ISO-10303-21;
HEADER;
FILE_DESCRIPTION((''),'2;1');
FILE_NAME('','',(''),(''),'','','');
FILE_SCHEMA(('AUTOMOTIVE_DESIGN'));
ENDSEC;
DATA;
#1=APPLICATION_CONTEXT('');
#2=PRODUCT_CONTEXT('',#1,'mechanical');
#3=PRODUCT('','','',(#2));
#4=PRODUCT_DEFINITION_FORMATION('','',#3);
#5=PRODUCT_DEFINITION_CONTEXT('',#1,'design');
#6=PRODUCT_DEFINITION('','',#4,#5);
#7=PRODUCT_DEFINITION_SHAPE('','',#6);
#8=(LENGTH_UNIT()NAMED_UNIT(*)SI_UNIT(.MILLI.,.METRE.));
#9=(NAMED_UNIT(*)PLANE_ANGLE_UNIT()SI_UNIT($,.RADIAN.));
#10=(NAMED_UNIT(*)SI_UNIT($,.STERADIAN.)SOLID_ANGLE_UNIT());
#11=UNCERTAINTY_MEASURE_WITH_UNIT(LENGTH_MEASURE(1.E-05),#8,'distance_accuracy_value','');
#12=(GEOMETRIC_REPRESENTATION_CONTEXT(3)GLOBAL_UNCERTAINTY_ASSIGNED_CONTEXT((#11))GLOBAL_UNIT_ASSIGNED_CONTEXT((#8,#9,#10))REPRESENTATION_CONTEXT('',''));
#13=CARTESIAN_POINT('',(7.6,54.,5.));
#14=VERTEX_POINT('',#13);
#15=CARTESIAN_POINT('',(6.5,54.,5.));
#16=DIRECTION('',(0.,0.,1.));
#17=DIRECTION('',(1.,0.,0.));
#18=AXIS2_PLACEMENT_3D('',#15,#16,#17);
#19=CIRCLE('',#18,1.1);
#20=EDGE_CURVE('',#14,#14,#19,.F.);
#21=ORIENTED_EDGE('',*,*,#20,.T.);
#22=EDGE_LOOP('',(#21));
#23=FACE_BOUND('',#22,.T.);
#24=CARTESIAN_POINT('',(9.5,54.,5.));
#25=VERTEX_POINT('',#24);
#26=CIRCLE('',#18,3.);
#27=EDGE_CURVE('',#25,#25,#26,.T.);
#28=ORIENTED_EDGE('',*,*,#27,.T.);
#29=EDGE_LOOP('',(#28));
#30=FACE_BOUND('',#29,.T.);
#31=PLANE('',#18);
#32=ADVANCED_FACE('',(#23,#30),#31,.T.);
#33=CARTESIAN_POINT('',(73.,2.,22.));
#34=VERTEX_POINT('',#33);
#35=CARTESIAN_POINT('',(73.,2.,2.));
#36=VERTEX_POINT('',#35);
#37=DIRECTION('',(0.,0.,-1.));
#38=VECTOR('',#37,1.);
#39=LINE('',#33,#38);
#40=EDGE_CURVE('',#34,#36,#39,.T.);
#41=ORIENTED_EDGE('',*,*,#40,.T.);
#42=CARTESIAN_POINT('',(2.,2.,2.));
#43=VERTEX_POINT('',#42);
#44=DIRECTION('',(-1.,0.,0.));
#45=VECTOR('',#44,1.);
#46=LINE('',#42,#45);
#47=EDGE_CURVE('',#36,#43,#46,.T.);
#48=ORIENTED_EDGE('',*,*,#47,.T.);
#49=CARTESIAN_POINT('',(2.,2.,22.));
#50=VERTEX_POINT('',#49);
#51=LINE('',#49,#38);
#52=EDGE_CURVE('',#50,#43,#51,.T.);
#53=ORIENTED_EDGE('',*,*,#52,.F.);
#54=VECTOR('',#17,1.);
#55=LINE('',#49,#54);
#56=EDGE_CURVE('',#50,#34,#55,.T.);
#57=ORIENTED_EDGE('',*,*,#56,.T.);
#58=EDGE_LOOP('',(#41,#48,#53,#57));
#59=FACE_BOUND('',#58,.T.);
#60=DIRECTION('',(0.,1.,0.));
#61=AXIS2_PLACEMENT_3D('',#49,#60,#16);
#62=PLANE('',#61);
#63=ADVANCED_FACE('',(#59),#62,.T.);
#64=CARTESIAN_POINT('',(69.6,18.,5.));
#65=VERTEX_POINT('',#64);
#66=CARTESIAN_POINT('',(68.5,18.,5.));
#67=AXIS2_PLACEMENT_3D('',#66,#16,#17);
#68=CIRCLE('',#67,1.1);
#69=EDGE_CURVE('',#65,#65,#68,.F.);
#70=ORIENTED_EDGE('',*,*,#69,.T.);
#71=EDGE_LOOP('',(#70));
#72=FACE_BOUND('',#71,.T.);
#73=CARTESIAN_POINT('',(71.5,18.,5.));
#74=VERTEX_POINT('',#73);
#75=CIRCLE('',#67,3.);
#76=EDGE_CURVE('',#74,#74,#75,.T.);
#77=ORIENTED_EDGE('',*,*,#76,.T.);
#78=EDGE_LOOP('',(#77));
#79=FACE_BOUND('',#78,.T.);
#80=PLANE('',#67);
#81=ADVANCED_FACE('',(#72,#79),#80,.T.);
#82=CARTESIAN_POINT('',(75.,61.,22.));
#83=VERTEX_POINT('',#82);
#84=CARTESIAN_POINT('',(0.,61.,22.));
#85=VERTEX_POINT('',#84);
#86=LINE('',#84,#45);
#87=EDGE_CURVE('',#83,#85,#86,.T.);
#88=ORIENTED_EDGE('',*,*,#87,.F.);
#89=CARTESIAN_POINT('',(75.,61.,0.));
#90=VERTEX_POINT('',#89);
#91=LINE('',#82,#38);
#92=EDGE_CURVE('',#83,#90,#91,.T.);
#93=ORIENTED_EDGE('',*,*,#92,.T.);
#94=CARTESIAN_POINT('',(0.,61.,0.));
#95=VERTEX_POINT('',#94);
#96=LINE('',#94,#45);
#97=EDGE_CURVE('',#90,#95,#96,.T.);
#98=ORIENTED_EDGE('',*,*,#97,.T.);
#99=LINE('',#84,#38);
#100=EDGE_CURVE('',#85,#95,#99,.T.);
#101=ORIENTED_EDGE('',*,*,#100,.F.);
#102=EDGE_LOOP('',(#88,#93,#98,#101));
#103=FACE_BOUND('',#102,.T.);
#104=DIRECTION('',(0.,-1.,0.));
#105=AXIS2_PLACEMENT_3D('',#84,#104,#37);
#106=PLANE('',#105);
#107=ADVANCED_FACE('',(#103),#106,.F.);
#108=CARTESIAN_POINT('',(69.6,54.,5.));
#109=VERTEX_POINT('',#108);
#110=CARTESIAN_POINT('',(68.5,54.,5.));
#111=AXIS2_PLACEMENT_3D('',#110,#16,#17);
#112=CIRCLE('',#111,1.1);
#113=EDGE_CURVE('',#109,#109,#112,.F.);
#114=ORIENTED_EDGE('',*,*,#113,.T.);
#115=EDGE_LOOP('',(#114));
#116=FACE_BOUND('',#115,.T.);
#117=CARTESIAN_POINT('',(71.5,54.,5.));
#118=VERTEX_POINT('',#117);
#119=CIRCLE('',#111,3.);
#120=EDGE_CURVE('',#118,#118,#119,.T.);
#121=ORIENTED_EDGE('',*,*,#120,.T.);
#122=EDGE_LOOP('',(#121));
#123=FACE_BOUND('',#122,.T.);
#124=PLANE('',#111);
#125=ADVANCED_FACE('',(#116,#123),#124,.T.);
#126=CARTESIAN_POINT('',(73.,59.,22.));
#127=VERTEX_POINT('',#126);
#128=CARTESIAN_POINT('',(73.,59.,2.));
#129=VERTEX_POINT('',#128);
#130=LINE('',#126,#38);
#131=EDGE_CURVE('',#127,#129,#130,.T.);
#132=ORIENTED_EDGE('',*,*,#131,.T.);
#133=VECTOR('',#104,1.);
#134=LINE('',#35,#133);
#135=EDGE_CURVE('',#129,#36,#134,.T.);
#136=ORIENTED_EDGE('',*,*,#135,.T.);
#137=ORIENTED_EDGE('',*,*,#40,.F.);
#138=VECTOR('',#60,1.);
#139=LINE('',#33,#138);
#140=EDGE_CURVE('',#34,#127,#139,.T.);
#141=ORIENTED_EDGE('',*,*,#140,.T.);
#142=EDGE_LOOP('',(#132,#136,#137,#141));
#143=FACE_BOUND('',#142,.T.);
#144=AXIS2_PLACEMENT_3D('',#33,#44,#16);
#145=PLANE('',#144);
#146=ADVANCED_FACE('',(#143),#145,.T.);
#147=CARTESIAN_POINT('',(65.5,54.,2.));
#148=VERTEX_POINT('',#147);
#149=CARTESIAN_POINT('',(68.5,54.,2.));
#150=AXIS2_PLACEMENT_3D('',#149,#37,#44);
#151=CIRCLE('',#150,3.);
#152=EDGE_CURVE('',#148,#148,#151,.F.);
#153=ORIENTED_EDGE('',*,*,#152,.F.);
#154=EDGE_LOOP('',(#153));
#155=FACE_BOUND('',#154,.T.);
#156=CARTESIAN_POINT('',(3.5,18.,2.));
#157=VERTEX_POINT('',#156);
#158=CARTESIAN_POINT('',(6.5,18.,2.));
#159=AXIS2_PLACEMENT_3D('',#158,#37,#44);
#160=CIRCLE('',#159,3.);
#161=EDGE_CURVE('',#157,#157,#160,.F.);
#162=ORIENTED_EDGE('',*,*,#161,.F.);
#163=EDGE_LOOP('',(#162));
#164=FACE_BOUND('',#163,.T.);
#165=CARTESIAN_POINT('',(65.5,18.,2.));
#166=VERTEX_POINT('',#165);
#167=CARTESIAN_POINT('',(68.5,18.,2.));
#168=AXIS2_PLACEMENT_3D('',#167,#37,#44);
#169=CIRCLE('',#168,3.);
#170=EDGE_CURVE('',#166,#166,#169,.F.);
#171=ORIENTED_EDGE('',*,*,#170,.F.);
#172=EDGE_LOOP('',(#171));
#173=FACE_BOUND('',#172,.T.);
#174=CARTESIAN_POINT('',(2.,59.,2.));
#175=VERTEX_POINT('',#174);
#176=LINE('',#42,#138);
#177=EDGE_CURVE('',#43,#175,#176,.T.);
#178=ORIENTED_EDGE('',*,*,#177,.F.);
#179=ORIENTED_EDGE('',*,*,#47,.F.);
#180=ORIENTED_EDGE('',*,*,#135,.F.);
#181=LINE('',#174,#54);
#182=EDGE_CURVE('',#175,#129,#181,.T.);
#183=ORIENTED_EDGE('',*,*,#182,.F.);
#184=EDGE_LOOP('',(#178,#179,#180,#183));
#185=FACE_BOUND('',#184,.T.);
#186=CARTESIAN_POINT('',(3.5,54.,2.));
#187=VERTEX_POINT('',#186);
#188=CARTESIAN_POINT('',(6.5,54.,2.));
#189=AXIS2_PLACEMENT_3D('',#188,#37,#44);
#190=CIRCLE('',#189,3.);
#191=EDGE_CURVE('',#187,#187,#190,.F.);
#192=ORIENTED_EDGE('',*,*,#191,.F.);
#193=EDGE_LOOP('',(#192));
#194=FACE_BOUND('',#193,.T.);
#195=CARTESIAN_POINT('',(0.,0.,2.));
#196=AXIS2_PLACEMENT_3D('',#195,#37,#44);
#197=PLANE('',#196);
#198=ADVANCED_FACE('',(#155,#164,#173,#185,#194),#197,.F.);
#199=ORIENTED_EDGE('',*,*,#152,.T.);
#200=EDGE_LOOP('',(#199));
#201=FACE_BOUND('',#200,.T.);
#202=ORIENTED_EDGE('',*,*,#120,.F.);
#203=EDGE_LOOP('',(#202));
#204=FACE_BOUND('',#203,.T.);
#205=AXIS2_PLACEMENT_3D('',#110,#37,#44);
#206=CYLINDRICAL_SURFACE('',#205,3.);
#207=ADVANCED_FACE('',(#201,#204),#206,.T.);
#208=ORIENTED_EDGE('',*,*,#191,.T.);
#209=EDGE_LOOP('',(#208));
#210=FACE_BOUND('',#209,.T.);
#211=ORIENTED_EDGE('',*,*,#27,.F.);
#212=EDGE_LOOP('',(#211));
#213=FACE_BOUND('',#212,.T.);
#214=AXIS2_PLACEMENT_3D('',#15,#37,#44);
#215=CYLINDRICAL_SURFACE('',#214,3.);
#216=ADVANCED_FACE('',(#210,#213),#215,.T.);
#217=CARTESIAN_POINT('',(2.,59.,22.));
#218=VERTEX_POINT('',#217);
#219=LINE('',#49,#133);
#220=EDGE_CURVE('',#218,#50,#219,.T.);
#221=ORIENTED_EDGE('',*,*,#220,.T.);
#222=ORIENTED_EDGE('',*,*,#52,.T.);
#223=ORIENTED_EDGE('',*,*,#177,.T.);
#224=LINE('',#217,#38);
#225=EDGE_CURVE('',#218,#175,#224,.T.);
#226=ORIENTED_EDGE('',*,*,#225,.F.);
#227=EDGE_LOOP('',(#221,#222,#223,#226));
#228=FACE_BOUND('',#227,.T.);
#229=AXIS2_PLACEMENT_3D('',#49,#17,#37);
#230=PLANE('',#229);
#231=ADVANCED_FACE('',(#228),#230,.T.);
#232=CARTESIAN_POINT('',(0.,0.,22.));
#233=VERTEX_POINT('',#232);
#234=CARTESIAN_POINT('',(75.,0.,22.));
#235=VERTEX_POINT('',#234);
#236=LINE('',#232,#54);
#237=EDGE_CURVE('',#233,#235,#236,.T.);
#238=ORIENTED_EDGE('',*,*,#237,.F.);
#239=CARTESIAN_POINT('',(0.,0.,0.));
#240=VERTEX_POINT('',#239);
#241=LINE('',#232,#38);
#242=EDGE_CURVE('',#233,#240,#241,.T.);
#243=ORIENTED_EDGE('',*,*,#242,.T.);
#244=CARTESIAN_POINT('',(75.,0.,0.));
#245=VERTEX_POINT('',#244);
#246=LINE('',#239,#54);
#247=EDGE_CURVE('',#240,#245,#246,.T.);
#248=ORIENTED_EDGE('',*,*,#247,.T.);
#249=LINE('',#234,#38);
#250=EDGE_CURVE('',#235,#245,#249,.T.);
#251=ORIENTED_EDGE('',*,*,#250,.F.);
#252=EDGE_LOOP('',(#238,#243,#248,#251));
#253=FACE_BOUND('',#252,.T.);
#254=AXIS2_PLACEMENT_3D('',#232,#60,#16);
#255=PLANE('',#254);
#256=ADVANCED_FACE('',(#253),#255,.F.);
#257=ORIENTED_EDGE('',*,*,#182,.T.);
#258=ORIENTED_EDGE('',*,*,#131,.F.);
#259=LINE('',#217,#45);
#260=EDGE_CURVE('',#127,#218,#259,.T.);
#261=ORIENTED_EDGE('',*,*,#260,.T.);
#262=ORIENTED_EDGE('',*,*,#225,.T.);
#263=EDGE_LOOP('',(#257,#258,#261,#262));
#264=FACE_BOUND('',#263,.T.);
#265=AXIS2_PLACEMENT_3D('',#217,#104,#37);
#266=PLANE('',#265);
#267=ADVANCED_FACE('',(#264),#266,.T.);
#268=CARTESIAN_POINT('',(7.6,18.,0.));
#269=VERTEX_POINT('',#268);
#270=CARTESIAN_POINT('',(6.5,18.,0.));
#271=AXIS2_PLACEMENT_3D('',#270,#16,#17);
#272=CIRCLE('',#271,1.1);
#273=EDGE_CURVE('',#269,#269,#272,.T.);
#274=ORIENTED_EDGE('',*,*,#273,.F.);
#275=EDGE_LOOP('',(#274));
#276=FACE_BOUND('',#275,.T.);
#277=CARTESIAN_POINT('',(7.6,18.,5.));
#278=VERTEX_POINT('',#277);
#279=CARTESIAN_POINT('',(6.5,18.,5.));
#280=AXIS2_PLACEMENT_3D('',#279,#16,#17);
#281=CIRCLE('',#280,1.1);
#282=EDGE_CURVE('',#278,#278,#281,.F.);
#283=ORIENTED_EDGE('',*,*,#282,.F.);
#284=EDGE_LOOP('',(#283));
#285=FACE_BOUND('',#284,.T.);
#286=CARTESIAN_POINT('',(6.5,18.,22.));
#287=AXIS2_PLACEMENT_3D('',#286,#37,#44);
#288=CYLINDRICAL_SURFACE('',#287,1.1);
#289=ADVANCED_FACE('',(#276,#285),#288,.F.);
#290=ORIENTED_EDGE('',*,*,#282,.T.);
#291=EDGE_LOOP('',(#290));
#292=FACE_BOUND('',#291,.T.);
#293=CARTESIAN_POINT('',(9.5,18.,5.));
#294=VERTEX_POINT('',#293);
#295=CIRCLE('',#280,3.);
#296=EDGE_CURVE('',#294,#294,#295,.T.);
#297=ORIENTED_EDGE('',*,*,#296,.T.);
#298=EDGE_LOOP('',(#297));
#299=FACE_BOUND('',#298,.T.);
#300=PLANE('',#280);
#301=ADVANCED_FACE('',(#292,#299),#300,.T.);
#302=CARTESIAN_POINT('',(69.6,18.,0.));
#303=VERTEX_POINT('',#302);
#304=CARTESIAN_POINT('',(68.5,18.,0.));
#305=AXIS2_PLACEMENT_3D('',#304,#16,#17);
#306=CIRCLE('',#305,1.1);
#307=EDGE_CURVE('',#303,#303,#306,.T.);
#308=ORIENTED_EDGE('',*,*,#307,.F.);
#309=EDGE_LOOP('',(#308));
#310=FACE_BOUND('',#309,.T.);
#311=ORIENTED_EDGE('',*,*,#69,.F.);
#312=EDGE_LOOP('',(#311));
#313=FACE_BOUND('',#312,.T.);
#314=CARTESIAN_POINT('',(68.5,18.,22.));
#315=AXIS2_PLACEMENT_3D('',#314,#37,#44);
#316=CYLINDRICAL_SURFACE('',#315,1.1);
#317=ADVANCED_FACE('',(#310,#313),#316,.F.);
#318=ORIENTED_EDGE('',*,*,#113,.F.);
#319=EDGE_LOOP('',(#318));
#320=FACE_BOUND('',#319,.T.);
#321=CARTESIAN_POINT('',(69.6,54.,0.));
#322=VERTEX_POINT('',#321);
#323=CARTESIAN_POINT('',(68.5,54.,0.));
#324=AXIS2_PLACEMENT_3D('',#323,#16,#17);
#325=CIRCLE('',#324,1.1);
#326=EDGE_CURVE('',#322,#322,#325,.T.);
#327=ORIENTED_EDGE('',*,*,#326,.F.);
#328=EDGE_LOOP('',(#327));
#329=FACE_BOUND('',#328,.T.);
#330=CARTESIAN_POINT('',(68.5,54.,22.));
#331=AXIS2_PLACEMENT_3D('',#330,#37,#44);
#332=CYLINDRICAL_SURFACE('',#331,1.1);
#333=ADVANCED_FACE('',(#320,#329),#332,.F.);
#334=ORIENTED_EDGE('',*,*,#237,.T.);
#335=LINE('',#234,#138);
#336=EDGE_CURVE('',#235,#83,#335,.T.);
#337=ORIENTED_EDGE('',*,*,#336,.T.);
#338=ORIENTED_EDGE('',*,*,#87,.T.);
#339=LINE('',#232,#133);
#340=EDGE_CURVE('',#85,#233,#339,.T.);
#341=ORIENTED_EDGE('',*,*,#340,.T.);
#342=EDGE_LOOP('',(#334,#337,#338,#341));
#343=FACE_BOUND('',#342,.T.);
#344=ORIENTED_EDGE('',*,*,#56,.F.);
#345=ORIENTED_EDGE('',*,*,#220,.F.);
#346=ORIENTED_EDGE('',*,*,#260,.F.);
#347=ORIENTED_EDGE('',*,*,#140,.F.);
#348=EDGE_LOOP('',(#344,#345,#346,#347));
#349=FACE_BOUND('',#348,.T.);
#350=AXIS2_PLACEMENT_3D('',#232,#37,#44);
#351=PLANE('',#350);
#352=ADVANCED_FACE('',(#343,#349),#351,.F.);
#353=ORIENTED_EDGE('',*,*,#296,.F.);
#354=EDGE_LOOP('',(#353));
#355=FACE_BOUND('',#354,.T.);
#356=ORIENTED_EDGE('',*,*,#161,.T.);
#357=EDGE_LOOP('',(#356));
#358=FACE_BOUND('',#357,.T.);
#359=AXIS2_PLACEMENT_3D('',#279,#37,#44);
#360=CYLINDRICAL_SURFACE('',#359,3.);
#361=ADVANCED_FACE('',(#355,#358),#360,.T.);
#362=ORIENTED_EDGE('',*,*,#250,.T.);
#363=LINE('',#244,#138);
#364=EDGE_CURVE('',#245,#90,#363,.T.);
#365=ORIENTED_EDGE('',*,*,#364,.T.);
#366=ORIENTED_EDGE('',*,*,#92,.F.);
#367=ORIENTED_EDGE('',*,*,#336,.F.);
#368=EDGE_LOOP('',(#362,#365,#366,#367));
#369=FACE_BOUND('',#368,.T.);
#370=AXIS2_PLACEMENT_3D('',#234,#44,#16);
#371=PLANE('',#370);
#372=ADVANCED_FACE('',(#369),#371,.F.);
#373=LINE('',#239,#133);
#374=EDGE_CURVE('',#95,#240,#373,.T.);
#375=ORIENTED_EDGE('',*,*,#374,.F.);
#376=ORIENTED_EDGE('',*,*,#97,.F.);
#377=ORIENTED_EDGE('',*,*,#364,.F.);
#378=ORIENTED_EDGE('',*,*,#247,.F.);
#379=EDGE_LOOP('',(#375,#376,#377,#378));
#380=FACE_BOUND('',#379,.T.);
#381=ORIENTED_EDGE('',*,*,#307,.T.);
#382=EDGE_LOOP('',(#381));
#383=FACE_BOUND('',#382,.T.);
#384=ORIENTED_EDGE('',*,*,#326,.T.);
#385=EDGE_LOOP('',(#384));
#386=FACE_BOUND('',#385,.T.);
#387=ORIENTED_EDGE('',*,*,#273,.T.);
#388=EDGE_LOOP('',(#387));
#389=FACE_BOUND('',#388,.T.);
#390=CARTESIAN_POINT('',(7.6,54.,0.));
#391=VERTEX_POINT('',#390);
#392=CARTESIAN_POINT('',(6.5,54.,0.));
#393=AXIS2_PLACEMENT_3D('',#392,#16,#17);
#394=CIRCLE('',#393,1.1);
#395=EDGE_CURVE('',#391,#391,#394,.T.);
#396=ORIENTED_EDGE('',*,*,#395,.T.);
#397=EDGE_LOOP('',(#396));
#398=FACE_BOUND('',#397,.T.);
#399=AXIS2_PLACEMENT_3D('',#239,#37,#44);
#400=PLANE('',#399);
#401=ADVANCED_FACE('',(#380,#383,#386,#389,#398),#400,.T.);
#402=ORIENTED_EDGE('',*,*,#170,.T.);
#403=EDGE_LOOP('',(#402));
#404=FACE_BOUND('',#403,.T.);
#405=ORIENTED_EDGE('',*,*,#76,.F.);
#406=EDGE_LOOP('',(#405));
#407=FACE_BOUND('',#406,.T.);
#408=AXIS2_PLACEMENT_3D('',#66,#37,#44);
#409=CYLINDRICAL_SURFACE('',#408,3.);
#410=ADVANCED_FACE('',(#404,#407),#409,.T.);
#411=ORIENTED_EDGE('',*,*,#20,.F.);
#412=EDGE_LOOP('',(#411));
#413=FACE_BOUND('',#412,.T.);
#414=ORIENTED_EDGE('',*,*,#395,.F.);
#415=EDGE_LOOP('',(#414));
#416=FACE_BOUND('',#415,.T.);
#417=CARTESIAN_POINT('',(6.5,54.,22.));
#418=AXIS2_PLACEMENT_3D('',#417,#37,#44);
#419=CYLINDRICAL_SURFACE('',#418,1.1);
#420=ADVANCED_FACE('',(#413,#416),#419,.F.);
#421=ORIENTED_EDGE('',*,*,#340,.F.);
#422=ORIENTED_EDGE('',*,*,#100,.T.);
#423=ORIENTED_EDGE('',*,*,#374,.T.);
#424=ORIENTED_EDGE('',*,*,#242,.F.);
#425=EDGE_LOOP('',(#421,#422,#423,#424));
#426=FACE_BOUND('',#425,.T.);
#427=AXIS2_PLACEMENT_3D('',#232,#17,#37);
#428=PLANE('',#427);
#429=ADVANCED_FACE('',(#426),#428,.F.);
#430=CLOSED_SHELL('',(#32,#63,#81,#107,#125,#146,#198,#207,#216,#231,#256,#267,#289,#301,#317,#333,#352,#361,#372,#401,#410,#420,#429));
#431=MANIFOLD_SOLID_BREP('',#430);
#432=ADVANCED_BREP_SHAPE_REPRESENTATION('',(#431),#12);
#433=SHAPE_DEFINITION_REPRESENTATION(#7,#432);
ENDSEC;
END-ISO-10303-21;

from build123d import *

# Parameters (mm, degrees)
SKETCH_1_W          = 75
SKETCH_1_H          = 61
EXTRUDE_1_DEPTH     = 22
SKETCH_2_W          = 71
SKETCH_2_H          = 57
CUT_EXTRUDE_1_DEPTH = 100.146356464
SKETCH_3_W          = 75
SKETCH_3_H          = 61
EXTRUDE_2_DEPTH     = 2
SKETCH_4_R          = 3
EXTRUDE_3_DEPTH     = 5
SKETCH_5_R          = 1.1
CUT_EXTRUDE_2_DEPTH = 100.146356464


with BuildPart() as part:
    # 草图1 → 凸台-拉伸1 (new body)
    with BuildSketch(Plane.XY):
        with Locations((37.5, 30.5)):
            Rectangle(SKETCH_1_W, SKETCH_1_H)
    extrude(amount=EXTRUDE_1_DEPTH)

    # 草图2 → 切除-拉伸1 (cut, through all)
    with BuildSketch(Plane.XY):
        with Locations((37.5, 30.5)):
            Rectangle(SKETCH_2_W, SKETCH_2_H)
    extrude(amount=CUT_EXTRUDE_1_DEPTH, mode=Mode.SUBTRACT)

    # 草图3 → 凸台-拉伸2 (add)
    with BuildSketch(Plane.XY):
        with Locations((37.5, 30.5)):
            Rectangle(SKETCH_3_W, SKETCH_3_H)
    extrude(amount=EXTRUDE_2_DEPTH)

    # 草图4 → 凸台-拉伸3 (add)
    with BuildSketch(Plane.XY):
        with Locations(Location((6.5, 18, 0), (0, 0, 180))):
            Circle(SKETCH_4_R)
        with Locations(Location((68.5, 18, 0), (0, 0, 180))):
            Circle(SKETCH_4_R)
        with Locations(Location((6.5, 54, 0), (0, 0, 180))):
            Circle(SKETCH_4_R)
        with Locations(Location((68.5, 54, 0), (0, 0, 180))):
            Circle(SKETCH_4_R)
    extrude(amount=EXTRUDE_3_DEPTH)

    # 草图5 → 切除-拉伸2 (cut, through all)
    with BuildSketch(Plane.XY):
        with Locations((6.5, 18)):
            Circle(SKETCH_5_R)
        with Locations((68.5, 18)):
            Circle(SKETCH_5_R)
        with Locations((6.5, 54)):
            Circle(SKETCH_5_R)
        with Locations((68.5, 54)):
            Circle(SKETCH_5_R)
    extrude(amount=CUT_EXTRUDE_2_DEPTH, mode=Mode.SUBTRACT)


solid = part.part
